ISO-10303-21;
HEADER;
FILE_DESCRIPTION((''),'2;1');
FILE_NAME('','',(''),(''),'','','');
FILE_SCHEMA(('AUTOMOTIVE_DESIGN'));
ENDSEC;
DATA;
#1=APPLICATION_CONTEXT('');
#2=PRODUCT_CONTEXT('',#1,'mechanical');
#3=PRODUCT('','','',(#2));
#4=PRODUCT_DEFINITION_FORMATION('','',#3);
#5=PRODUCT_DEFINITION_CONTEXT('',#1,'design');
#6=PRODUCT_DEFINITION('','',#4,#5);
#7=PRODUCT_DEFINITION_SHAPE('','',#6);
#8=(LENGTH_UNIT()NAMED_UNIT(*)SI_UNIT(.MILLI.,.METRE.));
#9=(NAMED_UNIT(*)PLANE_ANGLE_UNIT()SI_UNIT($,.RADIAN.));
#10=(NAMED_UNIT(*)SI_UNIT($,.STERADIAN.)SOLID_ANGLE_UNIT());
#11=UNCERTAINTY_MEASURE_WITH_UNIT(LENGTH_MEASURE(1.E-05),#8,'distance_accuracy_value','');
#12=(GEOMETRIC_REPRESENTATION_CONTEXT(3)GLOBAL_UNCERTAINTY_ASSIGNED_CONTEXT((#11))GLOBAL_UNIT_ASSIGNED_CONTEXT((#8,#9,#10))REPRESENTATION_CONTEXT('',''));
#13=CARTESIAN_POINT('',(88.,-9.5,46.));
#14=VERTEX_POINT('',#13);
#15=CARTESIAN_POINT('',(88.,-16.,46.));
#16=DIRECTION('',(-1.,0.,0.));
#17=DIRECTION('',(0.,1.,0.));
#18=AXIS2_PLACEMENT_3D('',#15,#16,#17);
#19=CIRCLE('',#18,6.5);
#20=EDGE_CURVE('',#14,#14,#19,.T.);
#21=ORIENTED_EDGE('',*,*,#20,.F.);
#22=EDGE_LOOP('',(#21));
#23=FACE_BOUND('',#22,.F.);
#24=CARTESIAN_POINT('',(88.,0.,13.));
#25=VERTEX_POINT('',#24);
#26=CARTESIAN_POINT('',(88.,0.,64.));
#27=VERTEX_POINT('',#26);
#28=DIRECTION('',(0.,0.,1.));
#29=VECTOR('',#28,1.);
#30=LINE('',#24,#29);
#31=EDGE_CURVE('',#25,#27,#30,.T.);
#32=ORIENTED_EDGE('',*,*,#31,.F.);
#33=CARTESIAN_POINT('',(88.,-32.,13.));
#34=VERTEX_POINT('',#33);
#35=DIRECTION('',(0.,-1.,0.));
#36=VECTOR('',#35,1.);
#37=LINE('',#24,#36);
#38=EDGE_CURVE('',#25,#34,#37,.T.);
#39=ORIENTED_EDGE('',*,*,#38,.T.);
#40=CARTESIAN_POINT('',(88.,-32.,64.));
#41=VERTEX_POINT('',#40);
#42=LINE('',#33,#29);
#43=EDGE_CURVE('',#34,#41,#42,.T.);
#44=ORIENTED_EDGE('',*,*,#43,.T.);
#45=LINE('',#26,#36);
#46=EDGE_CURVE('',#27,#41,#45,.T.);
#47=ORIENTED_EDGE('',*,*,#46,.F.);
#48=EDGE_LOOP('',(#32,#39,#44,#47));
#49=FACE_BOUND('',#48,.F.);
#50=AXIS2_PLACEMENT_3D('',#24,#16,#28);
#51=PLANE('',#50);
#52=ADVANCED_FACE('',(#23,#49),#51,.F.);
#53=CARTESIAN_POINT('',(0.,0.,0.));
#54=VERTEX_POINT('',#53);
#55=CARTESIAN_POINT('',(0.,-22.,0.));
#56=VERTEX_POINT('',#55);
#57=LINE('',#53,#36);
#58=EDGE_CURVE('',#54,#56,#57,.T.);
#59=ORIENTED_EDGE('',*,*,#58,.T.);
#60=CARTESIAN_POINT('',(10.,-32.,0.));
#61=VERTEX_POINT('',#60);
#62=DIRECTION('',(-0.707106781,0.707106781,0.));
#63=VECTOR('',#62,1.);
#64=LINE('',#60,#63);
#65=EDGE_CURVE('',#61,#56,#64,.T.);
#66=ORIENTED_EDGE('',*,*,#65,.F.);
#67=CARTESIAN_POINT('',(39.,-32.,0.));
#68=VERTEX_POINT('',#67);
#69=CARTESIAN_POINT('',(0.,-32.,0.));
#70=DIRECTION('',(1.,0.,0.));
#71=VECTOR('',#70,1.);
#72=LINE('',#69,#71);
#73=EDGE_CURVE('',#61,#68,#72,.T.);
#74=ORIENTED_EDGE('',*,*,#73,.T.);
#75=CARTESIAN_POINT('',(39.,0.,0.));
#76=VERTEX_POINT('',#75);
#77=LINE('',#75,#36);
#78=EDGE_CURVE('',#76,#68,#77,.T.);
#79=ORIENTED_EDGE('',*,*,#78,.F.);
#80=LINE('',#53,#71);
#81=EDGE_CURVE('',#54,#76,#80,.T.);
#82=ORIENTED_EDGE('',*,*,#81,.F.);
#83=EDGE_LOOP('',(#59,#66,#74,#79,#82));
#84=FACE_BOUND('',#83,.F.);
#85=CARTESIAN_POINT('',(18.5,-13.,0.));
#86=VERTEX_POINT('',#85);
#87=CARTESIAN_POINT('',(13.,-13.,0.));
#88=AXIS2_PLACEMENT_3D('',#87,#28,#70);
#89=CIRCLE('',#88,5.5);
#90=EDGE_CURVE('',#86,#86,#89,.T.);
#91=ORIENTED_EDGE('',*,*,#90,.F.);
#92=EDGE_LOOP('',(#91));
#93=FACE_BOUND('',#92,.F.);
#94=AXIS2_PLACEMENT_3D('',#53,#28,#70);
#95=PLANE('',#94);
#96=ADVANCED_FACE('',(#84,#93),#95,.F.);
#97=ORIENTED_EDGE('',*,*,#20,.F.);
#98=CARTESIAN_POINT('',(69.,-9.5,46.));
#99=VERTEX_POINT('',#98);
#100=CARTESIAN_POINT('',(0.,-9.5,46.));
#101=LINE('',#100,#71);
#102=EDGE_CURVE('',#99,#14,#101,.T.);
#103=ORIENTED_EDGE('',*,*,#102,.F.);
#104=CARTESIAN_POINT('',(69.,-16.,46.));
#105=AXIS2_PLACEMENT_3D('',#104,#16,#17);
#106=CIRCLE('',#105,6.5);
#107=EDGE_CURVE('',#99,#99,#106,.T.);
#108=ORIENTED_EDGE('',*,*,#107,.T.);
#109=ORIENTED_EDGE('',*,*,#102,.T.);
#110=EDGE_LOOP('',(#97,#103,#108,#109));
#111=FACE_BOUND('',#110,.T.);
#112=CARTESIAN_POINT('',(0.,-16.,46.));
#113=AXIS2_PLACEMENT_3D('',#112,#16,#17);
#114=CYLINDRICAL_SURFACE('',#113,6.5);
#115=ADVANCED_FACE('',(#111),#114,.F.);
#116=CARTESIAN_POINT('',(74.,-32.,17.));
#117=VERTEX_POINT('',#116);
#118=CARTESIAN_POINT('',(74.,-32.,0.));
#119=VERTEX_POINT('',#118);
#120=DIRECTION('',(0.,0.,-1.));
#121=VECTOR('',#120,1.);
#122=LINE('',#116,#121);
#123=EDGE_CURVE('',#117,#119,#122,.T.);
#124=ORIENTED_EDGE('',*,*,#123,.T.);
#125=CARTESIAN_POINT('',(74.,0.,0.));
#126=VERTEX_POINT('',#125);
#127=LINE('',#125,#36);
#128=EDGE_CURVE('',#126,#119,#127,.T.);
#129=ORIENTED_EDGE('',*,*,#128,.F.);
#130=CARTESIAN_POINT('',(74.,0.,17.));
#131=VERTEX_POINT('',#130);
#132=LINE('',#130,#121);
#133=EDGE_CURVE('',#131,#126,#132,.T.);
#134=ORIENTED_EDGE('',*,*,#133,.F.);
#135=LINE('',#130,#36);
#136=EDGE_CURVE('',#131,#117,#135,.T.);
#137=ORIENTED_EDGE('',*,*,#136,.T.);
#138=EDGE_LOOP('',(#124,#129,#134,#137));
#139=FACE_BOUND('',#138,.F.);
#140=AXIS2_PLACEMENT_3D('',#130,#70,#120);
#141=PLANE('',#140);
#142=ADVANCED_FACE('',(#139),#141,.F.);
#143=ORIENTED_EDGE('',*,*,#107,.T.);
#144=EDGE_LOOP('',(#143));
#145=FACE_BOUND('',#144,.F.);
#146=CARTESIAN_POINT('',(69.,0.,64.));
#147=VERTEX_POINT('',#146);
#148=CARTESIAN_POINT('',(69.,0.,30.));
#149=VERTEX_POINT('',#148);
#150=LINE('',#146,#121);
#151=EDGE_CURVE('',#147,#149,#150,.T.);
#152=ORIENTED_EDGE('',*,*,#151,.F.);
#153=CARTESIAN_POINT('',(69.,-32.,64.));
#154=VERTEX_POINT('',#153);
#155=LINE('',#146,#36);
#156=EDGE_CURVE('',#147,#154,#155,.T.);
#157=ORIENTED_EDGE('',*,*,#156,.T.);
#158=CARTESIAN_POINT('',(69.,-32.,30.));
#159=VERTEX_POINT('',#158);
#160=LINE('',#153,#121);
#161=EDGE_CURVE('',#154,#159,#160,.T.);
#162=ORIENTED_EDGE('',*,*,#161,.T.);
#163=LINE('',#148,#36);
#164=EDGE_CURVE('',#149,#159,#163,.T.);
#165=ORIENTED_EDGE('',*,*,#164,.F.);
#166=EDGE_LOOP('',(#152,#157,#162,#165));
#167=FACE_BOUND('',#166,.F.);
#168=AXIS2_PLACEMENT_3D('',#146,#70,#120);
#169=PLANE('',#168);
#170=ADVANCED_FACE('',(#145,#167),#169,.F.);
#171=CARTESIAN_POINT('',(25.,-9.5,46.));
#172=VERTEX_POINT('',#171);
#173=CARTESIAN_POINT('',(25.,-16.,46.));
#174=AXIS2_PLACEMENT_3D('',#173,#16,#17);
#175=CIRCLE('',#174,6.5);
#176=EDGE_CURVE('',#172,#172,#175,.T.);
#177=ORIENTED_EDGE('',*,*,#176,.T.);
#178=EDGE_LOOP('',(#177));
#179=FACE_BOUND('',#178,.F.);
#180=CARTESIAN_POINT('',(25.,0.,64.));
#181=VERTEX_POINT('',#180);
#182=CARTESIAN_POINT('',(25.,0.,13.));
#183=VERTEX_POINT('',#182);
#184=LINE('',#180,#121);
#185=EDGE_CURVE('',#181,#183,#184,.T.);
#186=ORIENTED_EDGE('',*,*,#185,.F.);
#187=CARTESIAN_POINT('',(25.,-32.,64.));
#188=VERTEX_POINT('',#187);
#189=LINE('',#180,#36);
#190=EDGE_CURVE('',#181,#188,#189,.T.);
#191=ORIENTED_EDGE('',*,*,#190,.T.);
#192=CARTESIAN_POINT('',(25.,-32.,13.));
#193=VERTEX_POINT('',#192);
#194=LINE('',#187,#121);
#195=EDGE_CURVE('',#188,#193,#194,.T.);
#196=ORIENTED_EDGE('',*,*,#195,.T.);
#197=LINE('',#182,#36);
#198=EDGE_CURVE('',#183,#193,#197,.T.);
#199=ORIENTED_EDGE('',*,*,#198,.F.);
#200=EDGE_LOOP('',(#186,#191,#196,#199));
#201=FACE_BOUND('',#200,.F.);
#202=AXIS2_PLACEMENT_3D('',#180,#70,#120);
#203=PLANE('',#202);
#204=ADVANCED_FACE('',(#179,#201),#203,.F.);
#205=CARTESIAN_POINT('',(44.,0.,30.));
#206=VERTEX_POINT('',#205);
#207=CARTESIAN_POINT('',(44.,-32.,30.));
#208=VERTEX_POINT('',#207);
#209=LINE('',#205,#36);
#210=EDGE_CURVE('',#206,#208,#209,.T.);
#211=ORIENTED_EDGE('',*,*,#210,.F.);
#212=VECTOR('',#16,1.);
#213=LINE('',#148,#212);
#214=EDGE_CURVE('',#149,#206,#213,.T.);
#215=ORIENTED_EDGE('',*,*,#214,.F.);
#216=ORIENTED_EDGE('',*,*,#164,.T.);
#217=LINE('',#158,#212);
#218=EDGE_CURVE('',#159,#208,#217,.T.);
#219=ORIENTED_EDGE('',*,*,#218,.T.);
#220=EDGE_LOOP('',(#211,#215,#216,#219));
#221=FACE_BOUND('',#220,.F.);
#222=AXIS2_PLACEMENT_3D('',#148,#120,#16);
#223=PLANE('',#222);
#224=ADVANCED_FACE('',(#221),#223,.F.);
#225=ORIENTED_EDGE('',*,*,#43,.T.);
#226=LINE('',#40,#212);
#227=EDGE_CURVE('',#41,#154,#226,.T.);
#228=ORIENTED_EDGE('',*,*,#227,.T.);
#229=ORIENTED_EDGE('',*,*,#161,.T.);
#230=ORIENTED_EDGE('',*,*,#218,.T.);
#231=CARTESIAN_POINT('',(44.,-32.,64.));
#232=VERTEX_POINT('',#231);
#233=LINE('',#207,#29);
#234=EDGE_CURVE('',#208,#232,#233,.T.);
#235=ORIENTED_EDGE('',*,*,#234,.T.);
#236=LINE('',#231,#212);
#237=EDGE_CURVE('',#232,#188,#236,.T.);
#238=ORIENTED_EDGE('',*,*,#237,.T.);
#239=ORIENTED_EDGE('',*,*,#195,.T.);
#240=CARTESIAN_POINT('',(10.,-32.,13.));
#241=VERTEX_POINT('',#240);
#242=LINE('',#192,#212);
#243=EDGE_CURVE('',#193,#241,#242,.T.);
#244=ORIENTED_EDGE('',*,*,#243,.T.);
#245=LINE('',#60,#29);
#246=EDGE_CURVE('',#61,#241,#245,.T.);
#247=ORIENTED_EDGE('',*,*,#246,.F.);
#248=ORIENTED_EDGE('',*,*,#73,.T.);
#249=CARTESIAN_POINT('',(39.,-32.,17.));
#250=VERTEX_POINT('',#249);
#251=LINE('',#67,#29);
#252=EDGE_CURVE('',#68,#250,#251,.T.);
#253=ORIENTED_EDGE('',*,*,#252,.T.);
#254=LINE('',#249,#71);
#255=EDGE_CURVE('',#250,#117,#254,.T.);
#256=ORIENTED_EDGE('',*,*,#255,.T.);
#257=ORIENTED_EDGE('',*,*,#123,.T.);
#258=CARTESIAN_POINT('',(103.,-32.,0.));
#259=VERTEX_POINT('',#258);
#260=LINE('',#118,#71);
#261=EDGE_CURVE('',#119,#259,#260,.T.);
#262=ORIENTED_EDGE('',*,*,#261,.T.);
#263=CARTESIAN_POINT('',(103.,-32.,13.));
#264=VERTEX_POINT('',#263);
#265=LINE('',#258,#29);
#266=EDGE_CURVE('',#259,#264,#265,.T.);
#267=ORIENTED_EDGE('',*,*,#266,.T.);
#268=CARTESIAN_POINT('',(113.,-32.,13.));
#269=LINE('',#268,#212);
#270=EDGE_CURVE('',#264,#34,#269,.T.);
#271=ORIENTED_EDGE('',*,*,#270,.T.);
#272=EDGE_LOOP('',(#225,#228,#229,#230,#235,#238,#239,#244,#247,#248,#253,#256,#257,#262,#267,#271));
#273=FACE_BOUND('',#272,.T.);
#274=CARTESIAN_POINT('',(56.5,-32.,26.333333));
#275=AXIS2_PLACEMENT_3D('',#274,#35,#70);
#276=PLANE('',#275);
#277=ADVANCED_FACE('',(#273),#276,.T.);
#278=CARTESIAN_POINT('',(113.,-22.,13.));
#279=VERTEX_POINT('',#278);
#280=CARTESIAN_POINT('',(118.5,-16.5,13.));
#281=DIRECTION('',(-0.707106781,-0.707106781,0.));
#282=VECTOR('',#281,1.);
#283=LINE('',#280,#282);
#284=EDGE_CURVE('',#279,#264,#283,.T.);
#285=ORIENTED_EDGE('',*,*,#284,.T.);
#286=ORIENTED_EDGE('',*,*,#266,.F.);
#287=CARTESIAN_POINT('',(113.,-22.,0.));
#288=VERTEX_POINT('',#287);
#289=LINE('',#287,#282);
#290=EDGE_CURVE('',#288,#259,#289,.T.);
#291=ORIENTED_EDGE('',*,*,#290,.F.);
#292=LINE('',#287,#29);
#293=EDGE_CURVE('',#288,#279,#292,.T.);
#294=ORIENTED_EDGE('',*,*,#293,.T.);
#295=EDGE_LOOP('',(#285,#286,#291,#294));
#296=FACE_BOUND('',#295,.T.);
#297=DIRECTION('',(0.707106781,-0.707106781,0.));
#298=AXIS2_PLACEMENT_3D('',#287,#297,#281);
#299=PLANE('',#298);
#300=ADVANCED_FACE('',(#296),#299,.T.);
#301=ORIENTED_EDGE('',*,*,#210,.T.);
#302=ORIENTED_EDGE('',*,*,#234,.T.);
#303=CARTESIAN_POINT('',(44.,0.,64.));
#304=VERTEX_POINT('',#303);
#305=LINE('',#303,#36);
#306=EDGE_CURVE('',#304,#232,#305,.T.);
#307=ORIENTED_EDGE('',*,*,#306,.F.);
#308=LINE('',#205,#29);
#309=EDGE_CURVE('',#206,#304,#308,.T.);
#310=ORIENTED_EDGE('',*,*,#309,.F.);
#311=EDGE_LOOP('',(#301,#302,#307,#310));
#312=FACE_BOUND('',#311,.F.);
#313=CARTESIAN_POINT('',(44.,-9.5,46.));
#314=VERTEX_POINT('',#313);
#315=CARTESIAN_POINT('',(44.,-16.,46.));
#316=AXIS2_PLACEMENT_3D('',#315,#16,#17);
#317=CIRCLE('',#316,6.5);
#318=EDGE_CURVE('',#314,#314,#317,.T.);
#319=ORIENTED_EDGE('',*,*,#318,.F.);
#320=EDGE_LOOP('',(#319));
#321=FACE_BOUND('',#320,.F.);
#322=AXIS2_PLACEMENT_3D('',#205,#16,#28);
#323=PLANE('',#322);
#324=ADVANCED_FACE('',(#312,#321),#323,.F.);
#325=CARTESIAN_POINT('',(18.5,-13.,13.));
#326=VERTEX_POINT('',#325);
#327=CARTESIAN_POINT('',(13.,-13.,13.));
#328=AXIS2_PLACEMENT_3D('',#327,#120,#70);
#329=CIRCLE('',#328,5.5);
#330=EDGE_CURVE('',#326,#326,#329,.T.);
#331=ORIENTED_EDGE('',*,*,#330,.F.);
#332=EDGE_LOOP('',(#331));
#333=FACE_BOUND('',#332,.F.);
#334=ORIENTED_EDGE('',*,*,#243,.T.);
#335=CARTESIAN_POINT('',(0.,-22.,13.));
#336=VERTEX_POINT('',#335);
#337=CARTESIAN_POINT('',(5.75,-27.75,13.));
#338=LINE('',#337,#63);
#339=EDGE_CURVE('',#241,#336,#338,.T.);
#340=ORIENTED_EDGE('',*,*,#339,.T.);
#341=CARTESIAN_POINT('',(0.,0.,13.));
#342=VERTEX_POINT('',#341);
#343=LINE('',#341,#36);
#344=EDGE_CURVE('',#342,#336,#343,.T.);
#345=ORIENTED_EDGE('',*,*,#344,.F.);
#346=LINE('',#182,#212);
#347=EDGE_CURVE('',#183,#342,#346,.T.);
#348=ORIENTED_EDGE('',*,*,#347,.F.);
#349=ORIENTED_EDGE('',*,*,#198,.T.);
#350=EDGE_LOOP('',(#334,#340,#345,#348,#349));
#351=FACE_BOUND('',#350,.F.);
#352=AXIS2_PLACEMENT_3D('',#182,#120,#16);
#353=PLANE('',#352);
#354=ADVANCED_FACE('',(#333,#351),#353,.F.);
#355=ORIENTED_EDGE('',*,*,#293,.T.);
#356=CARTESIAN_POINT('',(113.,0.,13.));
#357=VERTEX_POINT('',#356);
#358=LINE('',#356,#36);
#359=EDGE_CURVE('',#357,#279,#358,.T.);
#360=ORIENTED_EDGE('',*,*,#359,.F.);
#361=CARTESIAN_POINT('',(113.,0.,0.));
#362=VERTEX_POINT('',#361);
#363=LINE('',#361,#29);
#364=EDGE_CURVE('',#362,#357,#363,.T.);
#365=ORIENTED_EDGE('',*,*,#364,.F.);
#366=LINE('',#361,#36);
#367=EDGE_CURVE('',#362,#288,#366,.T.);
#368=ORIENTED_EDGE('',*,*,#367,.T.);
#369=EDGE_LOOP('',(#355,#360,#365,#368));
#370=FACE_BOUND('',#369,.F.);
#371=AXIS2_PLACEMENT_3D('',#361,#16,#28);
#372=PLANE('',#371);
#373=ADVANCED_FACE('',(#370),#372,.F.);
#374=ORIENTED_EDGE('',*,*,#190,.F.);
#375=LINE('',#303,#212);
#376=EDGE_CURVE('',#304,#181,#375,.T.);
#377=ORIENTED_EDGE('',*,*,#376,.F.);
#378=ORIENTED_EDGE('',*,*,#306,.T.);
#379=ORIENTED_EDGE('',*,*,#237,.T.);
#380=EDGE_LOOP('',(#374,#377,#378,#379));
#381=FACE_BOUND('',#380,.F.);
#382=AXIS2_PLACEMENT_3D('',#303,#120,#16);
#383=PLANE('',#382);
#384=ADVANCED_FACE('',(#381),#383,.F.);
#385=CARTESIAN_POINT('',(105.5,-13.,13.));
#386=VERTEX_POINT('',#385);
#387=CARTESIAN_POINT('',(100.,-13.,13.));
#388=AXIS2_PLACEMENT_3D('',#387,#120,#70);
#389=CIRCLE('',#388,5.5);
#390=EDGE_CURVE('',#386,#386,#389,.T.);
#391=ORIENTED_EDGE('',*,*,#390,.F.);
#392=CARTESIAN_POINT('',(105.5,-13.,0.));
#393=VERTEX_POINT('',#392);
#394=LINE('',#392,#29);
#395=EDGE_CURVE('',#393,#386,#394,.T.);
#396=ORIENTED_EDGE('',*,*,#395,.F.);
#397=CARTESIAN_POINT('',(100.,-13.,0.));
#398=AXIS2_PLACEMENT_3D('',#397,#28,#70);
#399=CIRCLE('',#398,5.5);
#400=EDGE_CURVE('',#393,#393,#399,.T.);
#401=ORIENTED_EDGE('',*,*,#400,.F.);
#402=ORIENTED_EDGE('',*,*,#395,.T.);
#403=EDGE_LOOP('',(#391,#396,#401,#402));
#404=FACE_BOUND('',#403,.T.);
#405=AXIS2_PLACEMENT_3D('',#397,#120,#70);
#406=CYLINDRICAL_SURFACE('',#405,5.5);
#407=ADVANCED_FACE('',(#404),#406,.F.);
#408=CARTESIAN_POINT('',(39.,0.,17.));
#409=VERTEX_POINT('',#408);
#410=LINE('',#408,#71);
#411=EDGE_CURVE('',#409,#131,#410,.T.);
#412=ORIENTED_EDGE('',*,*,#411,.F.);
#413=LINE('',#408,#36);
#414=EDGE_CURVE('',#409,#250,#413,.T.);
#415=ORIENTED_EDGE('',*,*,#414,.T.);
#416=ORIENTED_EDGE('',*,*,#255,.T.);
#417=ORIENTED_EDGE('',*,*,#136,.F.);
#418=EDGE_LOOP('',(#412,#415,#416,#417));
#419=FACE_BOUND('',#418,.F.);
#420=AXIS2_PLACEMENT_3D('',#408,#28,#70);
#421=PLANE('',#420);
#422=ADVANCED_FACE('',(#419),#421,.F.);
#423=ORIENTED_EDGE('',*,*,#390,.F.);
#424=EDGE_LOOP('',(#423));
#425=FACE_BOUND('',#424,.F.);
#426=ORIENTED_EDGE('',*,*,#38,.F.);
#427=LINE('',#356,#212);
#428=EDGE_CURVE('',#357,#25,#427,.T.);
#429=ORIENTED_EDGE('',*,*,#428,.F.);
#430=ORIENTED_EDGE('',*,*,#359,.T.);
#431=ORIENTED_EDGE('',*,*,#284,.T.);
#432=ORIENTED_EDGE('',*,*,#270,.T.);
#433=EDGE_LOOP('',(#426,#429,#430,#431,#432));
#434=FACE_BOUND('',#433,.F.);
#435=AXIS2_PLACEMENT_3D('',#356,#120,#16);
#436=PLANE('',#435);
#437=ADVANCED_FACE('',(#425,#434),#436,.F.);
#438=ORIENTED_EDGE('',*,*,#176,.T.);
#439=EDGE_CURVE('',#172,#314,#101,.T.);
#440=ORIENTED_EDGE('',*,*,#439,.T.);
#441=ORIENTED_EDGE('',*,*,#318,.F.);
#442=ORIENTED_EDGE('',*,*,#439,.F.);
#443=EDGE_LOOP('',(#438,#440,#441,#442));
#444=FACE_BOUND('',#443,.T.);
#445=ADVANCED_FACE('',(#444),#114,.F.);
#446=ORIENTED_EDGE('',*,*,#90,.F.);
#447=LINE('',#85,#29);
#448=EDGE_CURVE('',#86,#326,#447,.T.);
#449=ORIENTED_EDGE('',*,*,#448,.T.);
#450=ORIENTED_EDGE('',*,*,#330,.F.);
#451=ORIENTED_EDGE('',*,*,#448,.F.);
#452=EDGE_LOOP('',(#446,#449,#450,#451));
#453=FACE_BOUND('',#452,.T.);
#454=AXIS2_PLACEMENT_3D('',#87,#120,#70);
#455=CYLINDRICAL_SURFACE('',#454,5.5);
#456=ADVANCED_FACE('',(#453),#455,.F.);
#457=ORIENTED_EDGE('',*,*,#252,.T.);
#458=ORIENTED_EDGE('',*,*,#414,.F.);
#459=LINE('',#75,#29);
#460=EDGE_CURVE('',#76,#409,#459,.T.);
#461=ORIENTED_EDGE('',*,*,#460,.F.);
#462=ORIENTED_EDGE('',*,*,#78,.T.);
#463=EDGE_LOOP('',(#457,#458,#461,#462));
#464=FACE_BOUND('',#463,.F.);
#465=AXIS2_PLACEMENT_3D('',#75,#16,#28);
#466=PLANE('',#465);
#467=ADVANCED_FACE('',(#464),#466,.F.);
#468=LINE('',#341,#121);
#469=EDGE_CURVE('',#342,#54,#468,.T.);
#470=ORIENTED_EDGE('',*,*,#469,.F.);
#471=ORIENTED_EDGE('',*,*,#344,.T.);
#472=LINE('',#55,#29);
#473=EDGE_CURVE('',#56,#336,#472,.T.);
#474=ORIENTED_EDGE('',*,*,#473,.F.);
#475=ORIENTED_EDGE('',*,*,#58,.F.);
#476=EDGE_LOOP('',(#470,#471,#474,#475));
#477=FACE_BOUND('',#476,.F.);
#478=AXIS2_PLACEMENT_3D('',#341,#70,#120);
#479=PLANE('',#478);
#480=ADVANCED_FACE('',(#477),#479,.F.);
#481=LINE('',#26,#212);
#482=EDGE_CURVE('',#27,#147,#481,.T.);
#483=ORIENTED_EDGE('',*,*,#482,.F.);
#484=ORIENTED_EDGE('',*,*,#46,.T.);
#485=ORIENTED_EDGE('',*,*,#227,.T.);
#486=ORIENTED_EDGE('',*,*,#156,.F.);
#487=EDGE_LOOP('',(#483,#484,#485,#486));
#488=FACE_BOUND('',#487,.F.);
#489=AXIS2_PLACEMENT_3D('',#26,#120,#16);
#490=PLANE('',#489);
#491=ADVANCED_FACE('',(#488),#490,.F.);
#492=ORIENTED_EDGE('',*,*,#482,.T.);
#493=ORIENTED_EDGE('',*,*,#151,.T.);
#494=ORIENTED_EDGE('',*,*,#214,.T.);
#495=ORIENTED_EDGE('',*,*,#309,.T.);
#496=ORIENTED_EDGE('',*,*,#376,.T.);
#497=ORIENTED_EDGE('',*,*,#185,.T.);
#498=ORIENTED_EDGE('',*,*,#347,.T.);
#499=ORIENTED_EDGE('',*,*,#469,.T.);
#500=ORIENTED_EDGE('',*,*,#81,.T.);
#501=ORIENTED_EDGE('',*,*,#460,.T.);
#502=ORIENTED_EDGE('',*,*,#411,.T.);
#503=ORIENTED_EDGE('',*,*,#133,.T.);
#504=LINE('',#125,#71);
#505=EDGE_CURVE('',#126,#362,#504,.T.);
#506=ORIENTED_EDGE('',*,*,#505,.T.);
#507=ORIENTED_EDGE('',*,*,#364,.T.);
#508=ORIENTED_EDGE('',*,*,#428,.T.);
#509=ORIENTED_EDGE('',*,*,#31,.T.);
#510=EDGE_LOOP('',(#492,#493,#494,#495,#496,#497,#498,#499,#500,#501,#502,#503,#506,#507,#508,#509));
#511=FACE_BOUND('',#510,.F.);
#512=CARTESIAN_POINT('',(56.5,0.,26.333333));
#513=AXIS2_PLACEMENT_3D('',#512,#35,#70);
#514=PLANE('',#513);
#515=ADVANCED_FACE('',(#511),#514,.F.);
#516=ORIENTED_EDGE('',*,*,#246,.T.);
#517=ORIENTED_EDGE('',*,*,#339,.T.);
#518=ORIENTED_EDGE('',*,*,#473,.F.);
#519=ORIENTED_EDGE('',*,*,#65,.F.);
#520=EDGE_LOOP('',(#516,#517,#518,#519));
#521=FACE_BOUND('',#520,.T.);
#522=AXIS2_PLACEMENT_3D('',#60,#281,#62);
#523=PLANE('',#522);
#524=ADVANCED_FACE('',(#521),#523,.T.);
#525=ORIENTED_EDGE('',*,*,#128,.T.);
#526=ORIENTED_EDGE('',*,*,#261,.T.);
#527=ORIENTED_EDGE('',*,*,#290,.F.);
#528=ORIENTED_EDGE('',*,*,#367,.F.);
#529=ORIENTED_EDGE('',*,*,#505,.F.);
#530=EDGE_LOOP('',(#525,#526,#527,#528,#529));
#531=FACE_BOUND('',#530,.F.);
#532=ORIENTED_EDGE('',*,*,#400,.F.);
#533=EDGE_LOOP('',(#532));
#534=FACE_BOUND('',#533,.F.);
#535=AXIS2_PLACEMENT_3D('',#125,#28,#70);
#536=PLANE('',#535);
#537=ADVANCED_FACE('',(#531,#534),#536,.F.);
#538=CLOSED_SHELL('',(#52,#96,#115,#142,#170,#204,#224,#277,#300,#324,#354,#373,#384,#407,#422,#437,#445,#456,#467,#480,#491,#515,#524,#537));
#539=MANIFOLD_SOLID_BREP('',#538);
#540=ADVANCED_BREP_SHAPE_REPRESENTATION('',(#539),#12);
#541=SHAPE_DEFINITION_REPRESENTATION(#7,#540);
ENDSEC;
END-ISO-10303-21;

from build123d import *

# Parameters (mm, degrees)
F1_DEPTH = 32
F2_R     = 6.5
F3_DEPTH = 113.001
F5_DEPTH = 64.001
F6_DEPTH = 64.001
F4_R     = 5.5
F7_DEPTH = 64.001
F8_DEPTH = 64.001


with BuildPart() as f1:
    # F0 (on Front) → F1 (new body)
    with BuildSketch(Plane.XZ):
        Polygon((0, 13), (0, 0), (39, 0), (39, 17), (74, 17), (74, 0), (113, 0), (113, 13), (88, 13), (88, 64), (69, 64), (69, 30), (44, 30), (44, 64), (25, 64), (25, 13), align=None)
    extrude(amount=F1_DEPTH)

    # F2 (on Right) → F3 (cut, through all)
    with BuildSketch(Plane.YZ):
        with Locations((-16, 46)):
            Circle(F2_R)
    extrude(amount=F3_DEPTH, mode=Mode.SUBTRACT)

    # F4 (on Top) → F5 (cut, through all)
    with BuildSketch(Plane.XY):
        Polygon((10, -32), (0, -22), (0, -32), align=None)
    extrude(amount=F5_DEPTH, mode=Mode.SUBTRACT)

    # F4 (on Top) → F6 (cut, through all)
    with BuildSketch(Plane.XY):
        Polygon((113, -32), (113, -22), (103, -32), align=None)
    extrude(amount=F6_DEPTH, mode=Mode.SUBTRACT)

    # F4 (on Top) → F7 (cut, through all)
    with BuildSketch(Plane.XY):
        with Locations((13, -13)):
            Circle(F4_R)
    extrude(amount=F7_DEPTH, mode=Mode.SUBTRACT)

    # F4 (on Top) → F8 (cut, through all)
    with BuildSketch(Plane.XY):
        with Locations((100, -13)):
            Circle(F4_R)
    extrude(amount=F8_DEPTH, mode=Mode.SUBTRACT)


solid = f1.part
